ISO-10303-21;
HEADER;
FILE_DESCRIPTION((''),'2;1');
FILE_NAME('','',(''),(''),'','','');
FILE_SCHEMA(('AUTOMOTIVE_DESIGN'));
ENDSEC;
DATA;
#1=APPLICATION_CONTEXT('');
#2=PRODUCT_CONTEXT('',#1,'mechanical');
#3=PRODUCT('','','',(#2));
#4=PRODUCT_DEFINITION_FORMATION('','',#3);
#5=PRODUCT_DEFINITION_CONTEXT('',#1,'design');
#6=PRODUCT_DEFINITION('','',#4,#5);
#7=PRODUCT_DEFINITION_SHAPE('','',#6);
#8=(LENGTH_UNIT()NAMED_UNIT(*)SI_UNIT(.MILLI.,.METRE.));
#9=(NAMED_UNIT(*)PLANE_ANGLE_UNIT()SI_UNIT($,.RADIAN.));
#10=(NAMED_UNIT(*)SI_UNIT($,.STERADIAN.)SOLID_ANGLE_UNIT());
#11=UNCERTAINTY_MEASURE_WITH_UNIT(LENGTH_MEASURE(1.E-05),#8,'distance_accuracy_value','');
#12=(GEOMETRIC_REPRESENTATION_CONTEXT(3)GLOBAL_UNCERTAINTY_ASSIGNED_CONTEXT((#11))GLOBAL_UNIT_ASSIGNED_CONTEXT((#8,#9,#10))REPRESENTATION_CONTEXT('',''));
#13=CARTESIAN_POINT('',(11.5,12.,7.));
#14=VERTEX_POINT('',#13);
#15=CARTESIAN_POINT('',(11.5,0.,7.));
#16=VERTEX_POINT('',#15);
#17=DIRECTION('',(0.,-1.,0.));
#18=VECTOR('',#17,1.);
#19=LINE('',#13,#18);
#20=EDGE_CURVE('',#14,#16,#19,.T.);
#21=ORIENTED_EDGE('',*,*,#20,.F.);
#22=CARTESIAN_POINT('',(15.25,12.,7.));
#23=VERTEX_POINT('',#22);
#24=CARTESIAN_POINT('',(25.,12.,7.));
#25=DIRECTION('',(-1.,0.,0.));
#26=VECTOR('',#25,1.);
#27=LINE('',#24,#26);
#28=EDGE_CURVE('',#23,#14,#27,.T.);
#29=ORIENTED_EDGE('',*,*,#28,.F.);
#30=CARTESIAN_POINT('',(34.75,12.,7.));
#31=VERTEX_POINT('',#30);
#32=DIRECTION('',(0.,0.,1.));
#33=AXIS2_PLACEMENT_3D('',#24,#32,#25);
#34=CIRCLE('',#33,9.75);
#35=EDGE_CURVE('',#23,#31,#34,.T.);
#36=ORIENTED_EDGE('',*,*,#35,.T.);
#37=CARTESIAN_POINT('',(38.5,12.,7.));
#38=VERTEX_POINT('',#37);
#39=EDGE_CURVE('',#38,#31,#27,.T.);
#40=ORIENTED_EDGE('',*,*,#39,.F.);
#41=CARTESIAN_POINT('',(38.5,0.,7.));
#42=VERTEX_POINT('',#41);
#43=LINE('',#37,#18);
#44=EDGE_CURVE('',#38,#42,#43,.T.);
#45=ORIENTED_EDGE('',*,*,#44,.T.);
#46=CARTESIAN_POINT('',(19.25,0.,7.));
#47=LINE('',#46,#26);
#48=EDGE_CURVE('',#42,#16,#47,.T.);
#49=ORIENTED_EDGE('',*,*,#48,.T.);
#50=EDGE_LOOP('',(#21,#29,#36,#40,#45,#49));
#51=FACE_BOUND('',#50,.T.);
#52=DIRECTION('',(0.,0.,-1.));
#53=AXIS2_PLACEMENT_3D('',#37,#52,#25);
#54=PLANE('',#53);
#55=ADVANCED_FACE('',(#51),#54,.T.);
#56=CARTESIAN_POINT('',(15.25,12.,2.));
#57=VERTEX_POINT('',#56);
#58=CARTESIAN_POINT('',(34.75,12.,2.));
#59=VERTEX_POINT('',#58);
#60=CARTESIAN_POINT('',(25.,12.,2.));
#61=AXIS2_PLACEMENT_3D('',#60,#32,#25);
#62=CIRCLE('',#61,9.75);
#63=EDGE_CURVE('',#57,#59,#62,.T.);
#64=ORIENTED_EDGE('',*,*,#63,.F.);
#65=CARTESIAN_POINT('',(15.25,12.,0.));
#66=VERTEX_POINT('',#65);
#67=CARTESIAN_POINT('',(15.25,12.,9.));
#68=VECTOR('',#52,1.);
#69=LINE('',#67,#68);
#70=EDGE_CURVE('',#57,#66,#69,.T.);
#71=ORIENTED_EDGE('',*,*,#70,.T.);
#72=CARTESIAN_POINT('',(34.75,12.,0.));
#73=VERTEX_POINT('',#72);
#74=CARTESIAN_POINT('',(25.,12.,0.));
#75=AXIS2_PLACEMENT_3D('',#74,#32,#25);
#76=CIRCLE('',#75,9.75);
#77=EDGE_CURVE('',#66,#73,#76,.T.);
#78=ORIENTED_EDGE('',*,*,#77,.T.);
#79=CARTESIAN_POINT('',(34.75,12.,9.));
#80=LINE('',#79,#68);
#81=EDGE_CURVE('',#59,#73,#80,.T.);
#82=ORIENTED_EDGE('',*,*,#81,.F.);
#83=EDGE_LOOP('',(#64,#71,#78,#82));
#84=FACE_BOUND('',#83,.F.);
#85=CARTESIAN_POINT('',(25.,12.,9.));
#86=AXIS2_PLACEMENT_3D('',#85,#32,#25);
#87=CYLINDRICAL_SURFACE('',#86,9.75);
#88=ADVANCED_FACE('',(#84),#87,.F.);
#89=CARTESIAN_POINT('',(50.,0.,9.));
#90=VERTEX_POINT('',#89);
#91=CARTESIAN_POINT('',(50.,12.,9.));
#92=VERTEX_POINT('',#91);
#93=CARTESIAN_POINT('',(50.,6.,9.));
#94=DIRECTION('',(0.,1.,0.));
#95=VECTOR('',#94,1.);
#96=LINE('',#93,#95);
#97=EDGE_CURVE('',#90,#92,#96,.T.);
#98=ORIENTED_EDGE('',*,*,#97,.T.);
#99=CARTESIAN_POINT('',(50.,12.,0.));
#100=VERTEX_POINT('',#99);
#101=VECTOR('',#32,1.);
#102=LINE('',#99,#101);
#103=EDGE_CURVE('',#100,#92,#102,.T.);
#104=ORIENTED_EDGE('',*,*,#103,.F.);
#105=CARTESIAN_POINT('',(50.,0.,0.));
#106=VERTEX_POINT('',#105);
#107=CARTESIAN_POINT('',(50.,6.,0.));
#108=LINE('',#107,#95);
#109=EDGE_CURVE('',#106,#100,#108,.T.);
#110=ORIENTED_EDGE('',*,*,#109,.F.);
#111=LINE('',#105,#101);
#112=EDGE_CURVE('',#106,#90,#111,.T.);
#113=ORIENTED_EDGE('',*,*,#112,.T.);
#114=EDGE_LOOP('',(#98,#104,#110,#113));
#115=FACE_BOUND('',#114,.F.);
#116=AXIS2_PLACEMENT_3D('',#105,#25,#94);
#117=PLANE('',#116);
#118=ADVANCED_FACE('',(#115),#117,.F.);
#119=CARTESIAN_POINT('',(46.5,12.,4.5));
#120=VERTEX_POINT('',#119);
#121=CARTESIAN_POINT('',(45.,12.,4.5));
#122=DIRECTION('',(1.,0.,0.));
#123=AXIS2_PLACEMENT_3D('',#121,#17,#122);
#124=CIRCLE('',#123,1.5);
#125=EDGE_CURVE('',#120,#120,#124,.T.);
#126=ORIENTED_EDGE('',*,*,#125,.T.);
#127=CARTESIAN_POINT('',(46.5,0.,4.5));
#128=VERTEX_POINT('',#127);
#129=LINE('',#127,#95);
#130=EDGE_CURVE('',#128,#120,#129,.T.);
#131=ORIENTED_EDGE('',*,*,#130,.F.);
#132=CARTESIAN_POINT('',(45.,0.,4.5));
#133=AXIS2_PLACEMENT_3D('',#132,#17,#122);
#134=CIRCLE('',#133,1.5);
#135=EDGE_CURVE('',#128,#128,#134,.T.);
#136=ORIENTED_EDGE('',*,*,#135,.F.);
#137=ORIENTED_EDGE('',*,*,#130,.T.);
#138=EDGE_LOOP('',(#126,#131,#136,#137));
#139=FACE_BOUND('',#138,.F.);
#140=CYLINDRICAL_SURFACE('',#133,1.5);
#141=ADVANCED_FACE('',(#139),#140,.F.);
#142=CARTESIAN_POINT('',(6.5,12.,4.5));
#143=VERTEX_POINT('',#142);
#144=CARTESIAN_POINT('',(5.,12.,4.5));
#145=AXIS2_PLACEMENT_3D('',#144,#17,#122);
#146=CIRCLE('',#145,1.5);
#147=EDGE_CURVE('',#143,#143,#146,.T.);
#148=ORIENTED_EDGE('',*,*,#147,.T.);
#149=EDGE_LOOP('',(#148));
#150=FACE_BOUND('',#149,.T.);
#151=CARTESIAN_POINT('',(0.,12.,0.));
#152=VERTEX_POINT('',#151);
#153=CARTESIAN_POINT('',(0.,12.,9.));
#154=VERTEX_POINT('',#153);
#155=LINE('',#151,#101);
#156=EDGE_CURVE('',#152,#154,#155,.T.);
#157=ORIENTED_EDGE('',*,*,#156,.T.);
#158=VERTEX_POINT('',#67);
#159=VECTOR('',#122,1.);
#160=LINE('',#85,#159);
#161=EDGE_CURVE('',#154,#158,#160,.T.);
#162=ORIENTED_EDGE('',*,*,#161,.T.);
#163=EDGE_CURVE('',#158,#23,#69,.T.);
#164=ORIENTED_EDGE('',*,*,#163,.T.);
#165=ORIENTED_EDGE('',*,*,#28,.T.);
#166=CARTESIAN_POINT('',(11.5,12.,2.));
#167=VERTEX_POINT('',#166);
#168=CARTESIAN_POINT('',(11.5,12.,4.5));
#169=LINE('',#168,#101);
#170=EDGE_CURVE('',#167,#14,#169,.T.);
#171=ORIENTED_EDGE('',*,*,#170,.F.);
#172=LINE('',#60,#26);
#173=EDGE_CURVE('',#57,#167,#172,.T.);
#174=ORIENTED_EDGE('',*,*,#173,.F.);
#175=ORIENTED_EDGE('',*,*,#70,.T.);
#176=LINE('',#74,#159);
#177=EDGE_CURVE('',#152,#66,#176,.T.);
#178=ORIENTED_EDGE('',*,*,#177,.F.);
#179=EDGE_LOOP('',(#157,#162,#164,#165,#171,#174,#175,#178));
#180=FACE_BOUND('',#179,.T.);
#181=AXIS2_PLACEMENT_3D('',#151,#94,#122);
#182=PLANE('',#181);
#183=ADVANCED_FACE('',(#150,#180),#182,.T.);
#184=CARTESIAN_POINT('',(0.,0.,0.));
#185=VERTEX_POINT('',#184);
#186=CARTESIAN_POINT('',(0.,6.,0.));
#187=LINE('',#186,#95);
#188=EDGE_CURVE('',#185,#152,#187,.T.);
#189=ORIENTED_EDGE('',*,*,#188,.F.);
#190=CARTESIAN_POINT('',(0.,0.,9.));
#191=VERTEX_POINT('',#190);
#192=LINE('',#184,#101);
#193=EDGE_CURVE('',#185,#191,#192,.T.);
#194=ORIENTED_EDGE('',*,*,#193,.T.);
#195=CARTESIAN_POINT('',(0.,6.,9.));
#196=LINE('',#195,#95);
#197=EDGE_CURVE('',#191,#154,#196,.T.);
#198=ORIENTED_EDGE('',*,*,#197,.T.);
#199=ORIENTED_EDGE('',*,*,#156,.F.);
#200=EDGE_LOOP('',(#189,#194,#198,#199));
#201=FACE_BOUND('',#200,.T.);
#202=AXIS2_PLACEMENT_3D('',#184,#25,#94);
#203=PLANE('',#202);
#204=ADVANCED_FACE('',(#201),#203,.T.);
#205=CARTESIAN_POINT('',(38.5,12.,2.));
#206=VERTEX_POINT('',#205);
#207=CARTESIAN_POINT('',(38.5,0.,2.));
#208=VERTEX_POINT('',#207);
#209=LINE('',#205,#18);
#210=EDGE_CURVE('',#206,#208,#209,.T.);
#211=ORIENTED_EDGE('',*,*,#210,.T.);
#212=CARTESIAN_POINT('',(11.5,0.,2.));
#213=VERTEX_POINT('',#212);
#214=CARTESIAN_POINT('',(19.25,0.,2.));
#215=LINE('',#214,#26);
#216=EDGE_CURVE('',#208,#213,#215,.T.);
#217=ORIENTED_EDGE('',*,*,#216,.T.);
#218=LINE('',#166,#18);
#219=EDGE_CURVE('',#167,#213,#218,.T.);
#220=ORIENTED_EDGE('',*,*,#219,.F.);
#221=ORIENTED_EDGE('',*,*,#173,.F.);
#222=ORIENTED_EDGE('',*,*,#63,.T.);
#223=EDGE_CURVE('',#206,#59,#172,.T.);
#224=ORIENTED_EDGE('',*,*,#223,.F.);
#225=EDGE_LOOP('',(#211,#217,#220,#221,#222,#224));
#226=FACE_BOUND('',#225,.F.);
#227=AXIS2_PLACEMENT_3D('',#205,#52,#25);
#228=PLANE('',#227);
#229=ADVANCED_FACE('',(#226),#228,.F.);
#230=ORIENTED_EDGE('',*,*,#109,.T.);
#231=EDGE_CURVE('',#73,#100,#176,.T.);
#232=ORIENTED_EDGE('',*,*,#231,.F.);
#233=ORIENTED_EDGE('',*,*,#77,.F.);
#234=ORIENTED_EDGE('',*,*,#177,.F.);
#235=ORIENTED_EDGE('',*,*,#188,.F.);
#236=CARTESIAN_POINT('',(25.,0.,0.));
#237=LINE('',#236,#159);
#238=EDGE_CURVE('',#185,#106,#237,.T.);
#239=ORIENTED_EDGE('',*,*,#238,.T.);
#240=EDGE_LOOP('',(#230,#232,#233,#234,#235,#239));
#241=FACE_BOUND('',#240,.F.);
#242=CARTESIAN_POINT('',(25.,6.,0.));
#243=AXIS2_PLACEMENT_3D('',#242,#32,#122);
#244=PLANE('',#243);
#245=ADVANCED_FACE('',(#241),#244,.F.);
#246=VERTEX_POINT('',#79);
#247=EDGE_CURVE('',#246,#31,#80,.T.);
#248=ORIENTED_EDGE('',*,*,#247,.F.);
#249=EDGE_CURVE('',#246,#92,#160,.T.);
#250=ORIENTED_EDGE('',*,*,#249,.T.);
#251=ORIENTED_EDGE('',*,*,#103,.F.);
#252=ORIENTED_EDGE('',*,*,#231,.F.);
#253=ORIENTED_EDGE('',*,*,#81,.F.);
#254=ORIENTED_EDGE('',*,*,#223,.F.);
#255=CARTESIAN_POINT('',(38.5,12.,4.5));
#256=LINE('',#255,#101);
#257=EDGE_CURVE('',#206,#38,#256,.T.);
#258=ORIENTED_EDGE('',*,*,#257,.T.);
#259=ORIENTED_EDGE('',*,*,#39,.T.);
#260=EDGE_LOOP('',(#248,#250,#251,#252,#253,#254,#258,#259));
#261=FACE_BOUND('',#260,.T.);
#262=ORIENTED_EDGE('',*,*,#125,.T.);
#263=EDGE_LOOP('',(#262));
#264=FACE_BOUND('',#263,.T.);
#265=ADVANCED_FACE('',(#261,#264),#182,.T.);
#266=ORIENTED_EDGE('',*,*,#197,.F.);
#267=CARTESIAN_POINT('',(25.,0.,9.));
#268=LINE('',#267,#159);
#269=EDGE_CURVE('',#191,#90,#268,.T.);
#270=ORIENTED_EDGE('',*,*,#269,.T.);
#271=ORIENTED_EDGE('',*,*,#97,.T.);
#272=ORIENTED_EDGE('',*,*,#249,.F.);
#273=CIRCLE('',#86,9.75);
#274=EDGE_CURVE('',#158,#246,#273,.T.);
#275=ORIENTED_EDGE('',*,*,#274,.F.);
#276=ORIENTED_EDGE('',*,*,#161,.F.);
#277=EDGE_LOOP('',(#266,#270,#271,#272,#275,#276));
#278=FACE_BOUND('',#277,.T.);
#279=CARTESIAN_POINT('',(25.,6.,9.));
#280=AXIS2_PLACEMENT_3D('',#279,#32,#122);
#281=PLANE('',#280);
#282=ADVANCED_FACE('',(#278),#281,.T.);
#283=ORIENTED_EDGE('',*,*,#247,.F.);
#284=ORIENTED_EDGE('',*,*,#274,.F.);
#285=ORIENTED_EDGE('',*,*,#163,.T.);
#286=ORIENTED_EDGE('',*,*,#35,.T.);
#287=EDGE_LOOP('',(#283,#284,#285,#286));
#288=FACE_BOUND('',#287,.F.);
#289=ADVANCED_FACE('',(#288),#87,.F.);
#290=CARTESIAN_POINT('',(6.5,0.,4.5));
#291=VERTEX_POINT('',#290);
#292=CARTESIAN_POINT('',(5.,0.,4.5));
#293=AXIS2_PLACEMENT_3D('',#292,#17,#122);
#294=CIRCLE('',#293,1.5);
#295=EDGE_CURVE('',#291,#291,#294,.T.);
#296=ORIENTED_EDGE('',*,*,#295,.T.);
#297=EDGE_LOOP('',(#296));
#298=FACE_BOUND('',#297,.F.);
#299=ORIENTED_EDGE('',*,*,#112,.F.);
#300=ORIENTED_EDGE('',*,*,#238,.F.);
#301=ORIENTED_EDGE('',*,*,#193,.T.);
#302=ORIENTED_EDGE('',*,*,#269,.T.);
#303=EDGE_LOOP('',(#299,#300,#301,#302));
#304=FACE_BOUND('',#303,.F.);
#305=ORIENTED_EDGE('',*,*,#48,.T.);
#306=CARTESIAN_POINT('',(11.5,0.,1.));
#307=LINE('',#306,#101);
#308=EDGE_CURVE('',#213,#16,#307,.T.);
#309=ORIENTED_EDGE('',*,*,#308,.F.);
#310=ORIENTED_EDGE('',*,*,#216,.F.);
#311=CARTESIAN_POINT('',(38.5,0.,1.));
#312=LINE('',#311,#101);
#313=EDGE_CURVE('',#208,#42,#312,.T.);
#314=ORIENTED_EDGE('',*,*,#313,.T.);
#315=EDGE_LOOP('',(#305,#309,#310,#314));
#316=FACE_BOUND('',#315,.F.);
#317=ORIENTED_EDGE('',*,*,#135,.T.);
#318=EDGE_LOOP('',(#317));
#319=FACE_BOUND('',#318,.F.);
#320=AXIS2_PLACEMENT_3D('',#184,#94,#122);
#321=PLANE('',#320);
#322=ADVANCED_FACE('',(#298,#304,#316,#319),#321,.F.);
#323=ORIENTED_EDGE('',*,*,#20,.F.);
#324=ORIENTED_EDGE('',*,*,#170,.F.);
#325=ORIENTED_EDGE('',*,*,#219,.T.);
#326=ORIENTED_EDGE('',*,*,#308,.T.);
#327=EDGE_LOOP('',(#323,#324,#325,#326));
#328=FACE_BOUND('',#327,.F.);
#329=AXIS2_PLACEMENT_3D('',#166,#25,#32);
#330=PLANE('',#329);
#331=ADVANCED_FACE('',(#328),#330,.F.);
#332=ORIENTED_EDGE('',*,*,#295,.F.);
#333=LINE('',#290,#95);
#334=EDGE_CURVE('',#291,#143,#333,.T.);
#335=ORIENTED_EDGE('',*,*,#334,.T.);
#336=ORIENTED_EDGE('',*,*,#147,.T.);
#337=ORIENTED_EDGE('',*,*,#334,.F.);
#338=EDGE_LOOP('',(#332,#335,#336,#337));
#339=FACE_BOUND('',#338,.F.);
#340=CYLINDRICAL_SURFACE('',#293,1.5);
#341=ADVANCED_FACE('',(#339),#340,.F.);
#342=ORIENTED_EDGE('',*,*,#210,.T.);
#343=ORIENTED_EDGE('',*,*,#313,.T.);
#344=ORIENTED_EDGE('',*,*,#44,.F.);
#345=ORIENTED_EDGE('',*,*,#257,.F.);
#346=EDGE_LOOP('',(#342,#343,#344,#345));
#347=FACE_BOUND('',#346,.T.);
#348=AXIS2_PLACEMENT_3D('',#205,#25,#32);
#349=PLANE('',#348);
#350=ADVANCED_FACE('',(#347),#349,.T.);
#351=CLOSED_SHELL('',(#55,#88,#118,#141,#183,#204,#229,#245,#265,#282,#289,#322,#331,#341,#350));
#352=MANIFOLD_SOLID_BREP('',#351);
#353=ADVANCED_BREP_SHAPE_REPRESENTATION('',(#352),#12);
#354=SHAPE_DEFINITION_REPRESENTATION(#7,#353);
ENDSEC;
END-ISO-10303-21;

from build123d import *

# Parameters (mm, degrees)
F0_W     = 50
F0_H     = 12
F1_DEPTH = 9
F2_R     = 1.5
F3_DEPTH = 12
F4_W     = 27
F4_H     = 5
F5_DEPTH = 12.5
F7_DEPTH = 9


with BuildPart() as f1:
    # F0 (on Top) → F1 (new body)
    with BuildSketch(Plane.XY):
        with Locations((25, 6)):
            Rectangle(F0_W, F0_H)
    extrude(amount=F1_DEPTH)

    # F2 (on face) → F3 (cut)
    with BuildSketch(Plane.XZ):
        with Locations((5, 4.5)):
            Circle(F2_R)
        with Locations((45, 4.5)):
            Circle(F2_R)
    extrude(amount=-F3_DEPTH, mode=Mode.SUBTRACT)

    # F4 (on face) → F5 (cut)
    with BuildSketch(Plane(origin=(0, 12, 0), x_dir=(-1, 0, 0), z_dir=(0, 1, 0))):
        with Locations((-25, 4.5)):
            Rectangle(F4_W, F4_H)
    extrude(amount=-F5_DEPTH, mode=Mode.SUBTRACT)

    # F6 (on face) → F7 (cut)
    with BuildSketch(Plane.XY.offset(9)):
        with BuildLine():
            ThreePointArc((15.25, 12), (25, 2.25), (34.75, 12))
            Line((34.75, 12), (15.25, 12))
        make_face()
    extrude(amount=-F7_DEPTH, mode=Mode.SUBTRACT)


solid = f1.part
